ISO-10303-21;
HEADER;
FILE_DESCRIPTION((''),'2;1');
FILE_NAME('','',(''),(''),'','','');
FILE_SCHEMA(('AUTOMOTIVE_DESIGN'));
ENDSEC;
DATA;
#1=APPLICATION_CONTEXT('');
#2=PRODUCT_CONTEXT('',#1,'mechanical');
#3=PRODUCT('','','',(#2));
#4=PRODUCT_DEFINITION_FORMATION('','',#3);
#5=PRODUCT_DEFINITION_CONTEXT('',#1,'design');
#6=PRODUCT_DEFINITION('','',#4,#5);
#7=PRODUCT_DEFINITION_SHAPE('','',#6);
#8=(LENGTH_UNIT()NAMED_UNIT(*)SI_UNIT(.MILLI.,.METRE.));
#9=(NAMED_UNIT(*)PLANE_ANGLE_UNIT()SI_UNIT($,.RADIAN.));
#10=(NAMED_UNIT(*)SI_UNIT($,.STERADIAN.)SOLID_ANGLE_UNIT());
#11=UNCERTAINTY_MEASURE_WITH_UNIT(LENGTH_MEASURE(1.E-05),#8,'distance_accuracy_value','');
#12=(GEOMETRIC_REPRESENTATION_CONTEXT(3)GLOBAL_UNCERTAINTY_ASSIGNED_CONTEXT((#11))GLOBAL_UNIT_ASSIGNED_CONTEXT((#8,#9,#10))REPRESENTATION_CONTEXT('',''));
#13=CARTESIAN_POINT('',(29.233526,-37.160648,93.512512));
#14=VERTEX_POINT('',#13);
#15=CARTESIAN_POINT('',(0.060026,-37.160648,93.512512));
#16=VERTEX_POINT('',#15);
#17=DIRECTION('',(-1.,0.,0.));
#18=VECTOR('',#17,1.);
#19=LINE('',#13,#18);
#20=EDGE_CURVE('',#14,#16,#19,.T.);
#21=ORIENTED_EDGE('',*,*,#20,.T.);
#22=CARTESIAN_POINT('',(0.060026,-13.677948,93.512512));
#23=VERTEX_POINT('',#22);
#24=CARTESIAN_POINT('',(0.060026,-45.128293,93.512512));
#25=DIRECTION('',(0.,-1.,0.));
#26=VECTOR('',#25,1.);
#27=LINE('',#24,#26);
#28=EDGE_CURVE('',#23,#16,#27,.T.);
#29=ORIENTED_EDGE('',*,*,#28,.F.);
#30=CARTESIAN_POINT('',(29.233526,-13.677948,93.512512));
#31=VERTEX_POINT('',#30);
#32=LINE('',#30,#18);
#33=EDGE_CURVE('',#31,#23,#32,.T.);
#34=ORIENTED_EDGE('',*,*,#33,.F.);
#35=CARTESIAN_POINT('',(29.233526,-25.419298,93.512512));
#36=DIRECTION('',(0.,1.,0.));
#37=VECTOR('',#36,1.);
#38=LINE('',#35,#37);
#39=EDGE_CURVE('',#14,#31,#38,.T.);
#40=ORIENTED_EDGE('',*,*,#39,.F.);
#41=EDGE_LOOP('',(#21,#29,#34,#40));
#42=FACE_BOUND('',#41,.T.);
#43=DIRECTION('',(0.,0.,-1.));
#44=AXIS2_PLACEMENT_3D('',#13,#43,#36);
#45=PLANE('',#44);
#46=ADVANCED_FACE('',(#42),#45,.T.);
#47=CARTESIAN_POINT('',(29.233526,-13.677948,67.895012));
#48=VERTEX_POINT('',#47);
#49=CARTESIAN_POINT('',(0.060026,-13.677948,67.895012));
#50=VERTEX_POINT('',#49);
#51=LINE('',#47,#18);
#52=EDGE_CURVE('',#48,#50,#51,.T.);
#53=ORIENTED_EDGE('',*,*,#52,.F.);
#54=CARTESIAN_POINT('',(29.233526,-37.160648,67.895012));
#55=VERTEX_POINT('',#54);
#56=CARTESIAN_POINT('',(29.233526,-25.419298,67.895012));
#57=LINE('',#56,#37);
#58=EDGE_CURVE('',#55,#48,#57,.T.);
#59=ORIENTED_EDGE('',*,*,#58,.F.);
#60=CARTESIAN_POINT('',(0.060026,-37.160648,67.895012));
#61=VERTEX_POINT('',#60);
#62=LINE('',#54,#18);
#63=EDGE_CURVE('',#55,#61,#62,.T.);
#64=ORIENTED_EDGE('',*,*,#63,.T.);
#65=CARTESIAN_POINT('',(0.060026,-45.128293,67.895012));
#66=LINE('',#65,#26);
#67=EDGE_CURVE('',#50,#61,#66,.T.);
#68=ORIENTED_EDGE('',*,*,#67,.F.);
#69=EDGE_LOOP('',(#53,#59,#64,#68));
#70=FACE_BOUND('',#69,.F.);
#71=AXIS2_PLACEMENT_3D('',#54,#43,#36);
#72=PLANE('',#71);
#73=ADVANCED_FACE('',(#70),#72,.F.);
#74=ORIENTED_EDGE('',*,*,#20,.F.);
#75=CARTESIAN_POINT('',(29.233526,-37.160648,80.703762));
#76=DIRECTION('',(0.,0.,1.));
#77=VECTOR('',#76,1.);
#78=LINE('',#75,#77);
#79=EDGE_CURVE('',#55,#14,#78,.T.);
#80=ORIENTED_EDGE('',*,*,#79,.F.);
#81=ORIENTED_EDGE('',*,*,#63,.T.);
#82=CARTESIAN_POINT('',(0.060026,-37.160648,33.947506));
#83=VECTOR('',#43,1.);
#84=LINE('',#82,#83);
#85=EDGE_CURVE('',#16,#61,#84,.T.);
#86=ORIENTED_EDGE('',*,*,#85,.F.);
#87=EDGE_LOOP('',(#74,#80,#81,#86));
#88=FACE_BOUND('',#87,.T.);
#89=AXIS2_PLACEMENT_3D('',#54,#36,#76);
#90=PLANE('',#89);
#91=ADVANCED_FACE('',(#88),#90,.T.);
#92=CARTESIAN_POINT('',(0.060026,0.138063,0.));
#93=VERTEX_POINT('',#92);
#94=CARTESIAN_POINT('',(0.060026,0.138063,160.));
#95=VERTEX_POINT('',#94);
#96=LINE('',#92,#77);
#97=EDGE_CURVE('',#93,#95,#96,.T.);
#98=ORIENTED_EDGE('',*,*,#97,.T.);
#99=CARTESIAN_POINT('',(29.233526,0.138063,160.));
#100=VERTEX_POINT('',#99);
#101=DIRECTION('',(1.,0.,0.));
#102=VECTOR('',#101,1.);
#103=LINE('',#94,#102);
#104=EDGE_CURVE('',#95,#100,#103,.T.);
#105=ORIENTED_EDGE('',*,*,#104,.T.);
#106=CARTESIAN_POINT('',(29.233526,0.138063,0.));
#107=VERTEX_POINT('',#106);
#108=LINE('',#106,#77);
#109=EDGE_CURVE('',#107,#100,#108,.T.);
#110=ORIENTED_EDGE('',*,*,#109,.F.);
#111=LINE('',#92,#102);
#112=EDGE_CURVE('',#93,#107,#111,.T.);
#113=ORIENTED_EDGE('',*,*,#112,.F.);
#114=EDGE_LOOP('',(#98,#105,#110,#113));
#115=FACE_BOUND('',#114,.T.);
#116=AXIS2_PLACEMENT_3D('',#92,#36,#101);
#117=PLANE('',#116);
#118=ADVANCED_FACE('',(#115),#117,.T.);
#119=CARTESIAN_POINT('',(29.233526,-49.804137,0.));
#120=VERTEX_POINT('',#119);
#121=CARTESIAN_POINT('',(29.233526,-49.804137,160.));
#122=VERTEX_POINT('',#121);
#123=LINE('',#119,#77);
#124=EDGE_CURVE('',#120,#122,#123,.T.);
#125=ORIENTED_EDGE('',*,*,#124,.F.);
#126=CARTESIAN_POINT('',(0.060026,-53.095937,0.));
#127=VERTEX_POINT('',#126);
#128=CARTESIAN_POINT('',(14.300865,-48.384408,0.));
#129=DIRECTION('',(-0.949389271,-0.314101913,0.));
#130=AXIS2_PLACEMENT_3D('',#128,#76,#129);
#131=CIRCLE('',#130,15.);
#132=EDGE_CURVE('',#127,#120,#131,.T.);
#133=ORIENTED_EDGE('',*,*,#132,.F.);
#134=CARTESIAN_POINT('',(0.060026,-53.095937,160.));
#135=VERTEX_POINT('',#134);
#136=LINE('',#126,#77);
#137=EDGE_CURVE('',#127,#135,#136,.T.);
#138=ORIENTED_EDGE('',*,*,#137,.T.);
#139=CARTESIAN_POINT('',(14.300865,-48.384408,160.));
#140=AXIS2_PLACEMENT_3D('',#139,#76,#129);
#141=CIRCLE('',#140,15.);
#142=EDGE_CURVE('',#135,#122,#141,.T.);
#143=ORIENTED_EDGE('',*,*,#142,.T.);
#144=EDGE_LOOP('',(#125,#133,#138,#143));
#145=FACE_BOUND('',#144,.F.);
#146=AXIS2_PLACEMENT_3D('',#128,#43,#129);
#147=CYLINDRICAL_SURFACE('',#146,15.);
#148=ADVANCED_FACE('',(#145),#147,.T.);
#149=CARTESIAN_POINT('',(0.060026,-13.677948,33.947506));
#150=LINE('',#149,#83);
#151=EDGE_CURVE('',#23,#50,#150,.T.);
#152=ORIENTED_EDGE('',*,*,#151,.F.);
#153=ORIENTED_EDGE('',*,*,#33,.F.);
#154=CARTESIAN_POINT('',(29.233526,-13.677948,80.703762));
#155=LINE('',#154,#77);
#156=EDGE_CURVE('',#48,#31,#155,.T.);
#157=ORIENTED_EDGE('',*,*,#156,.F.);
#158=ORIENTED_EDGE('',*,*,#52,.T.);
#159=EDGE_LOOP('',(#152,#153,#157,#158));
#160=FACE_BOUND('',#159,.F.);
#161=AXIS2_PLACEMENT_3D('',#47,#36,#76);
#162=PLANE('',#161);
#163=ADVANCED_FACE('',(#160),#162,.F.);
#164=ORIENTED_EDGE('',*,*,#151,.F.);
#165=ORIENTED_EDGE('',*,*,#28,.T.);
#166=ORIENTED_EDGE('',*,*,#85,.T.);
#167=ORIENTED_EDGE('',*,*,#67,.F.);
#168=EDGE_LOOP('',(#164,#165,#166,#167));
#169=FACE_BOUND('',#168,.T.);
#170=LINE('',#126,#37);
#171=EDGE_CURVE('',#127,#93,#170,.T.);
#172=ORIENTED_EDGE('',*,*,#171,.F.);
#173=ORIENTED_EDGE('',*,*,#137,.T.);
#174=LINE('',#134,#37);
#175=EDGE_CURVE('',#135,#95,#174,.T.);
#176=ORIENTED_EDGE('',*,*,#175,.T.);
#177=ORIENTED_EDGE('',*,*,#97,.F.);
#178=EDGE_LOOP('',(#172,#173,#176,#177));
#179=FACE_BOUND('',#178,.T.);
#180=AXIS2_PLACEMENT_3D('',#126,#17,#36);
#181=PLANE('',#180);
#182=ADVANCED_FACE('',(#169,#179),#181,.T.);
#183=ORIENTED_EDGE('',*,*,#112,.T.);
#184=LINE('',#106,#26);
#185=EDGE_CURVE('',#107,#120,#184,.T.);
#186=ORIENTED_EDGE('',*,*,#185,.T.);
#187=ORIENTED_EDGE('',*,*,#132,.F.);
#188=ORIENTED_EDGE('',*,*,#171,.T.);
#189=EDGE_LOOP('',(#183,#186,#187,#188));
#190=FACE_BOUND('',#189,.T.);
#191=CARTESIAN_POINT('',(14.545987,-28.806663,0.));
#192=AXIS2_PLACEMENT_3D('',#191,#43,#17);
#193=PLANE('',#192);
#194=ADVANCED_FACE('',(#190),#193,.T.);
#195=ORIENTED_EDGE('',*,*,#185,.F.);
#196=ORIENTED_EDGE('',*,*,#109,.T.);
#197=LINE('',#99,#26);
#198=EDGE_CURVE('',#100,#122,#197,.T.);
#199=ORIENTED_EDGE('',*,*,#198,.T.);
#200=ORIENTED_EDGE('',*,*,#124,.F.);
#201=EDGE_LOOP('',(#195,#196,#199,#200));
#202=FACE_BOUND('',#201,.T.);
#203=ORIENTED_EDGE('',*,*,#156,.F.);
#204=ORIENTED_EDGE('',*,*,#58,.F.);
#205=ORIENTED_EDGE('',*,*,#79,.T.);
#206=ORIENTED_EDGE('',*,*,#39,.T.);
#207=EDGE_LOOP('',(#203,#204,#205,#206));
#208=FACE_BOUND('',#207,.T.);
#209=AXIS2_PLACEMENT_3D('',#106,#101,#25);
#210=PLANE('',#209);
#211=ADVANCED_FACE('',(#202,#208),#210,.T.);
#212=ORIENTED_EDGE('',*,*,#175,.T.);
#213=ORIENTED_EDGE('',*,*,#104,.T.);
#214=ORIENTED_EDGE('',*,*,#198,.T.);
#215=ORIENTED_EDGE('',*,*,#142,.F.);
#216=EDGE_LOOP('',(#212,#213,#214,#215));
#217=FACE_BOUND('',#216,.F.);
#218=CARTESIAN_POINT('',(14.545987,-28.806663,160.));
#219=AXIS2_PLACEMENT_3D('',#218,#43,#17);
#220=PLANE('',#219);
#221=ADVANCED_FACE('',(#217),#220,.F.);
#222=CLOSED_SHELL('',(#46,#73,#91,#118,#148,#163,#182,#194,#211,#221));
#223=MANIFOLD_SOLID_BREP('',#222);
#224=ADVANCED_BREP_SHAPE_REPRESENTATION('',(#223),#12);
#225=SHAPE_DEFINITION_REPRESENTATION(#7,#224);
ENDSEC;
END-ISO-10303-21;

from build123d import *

# Parameters (mm, degrees)
PAD_DEPTH    = 160
SKETCH001_W  = 23.4827
SKETCH001_H  = 25.6175
POCKET_DEPTH = 29.1745


with BuildPart() as part:
    # Sketch → Pad (new body)
    with BuildSketch(Plane.XY):
        with BuildLine():
            Line((0.060026, 0.138063), (29.233526, 0.138063))
            Line((29.233526, 0.138063), (29.233526, -49.804137))
            ThreePointArc((0.060026, -53.095937), (15.982721, -63.289822), (29.233526, -49.804137))
            Line((0.060026, -53.095937), (0.060026, 0.138063))
        make_face()
    extrude(amount=PAD_DEPTH)

    # Sketch001 → Pocket (cut, through all)
    with BuildSketch(Plane.YZ.offset(29.233526)):
        with Locations((-25.419298, 80.703762)):
            Rectangle(SKETCH001_W, SKETCH001_H)
    extrude(amount=-POCKET_DEPTH, mode=Mode.SUBTRACT)


solid = part.part
